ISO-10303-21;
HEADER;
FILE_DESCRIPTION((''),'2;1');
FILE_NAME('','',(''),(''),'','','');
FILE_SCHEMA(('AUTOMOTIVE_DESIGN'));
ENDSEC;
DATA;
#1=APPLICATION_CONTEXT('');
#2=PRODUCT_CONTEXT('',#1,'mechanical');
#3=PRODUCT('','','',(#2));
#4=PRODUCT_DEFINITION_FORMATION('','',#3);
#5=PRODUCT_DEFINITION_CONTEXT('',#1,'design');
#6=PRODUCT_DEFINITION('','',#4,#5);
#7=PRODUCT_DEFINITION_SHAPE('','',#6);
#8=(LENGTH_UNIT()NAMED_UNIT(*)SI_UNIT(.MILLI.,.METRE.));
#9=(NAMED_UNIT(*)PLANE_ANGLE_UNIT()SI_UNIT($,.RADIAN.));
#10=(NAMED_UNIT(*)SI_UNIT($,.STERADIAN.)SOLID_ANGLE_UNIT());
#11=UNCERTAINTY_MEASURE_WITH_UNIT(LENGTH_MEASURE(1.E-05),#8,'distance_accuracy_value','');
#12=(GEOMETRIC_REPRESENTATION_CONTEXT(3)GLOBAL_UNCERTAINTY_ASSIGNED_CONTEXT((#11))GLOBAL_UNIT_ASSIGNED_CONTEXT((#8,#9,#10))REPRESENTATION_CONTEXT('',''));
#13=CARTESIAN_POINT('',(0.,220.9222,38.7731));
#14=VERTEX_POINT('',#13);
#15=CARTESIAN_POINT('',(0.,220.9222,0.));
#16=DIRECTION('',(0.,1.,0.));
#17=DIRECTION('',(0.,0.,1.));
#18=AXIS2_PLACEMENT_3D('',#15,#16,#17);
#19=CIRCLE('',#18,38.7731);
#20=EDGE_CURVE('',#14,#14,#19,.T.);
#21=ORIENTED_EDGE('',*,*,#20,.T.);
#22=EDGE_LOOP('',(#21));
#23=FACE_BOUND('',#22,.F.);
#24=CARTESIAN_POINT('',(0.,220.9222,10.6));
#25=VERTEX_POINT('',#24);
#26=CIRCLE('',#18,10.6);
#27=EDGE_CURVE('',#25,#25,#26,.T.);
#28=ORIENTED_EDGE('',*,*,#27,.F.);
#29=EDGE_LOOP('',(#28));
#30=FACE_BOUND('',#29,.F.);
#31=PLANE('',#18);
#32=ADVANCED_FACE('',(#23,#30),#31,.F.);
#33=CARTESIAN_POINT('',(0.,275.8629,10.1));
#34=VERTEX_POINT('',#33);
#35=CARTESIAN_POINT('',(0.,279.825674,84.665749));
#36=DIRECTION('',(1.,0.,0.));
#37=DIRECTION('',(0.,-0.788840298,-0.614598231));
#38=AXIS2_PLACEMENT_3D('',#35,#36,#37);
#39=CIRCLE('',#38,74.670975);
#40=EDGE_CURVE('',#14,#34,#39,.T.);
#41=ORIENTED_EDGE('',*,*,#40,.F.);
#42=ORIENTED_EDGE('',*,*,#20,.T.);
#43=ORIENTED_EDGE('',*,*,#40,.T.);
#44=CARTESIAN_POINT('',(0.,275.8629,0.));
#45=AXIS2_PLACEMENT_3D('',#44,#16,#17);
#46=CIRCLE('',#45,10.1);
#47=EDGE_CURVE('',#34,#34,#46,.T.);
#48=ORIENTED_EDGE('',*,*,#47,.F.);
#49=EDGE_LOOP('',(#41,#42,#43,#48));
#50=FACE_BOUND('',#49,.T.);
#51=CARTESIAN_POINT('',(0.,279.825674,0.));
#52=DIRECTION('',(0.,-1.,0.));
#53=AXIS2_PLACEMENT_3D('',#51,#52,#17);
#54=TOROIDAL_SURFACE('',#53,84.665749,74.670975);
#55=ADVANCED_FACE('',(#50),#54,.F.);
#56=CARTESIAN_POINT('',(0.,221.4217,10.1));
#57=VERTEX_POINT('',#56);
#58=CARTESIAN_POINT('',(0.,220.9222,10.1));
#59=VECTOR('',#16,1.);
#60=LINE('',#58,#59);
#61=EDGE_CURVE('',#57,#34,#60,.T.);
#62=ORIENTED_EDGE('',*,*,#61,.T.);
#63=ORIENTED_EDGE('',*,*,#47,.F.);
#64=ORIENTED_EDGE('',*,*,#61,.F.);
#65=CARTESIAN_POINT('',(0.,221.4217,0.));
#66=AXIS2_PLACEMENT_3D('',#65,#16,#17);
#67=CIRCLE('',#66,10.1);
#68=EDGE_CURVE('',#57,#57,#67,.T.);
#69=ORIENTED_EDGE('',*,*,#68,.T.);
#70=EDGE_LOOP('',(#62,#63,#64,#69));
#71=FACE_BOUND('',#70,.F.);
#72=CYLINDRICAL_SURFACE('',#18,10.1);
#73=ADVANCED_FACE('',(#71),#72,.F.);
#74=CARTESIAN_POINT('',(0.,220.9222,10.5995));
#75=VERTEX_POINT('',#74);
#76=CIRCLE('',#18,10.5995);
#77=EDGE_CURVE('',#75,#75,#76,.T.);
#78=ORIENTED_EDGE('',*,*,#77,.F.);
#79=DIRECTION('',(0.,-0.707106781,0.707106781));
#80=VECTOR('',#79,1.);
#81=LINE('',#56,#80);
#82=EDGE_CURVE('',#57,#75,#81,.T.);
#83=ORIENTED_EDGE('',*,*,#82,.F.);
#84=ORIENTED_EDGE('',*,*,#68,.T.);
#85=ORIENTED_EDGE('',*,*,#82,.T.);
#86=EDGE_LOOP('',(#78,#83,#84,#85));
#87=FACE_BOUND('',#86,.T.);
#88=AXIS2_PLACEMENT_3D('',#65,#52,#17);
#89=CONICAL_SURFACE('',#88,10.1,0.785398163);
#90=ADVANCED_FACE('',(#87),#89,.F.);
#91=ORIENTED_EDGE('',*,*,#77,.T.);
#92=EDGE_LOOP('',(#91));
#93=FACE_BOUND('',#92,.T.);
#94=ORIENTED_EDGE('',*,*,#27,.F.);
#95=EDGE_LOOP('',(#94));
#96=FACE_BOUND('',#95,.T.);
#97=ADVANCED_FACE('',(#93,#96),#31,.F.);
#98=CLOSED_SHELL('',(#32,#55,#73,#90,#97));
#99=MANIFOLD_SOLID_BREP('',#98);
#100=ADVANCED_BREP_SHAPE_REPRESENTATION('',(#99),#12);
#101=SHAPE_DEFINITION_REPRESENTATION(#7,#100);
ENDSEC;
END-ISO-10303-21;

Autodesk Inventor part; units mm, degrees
ref_plane "YZ Plane" through (0, 0, 0) normal (1, 0, 0) x (0, 1, 0)
ref_plane "XZ Plane" through (0, 0, 0) normal (0, 1, 0) x (-1, 0, 0)
ref_plane "XY Plane" through (0, 0, 0) normal (0, 0, 1) x (1, 0, 0)
sketch "Sketch1" plane through (0, 0, 0) normal (1, 0, 0) x (0, 1, 0)
  spline S0 degree 2 poles (144.5465, -57.8242) (146.4589, -59.529) (148.3712, -61.2338) knots 0.397376 0.397376 0.397376 0.909763 0.909763 0.909763 weights 0.999998 0.999997 0.999998
  spline S1 degree 3 poles (148.3712, -61.2338) (145.4357, -63.9958) (142.1284, -66.5479) (133.9847, -71.7297) (129.2192, -73.8866) (122.6716, -75.6215) (120.5117, -75.911) (117.5795, -75.8038) (116.4784, -75.6403) (114.7831, -75.0056) (114.1405, -74.649) (113.0617, -73.7127) (112.6451, -73.1713) (112.1633, -72.1987) (112.0293, -71.8331) (111.9289, -71.4578) knots -3.269118 -3.269118 -3.269118 -3.269118 -2.559935 -2.559935 -1.5672 -1.5672 -1.008898 -1.008898 -0.686053 -0.686053 -0.465554 -0.465554 -0.257093 -0.257093 -0.139706 -0.139706 -0.139706 -0.139706
  spline S2 degree 3 poles (111.9289, -71.4578) (112.6966, -70.9881) (113.4597, -70.5117) (123.0587, -64.396) (131.3801, -57.7603) (138.4898, -50.0803) knots -8.986295 -8.986295 -8.986295 -8.986295 -8.71793 -8.71793 -5.588526 -5.588526 -5.588526 -5.588526
  spline S3 degree 2 poles (138.4898, -50.0803) (142.1005, -53.2991) (145.711, -56.5179) knots 0.224389 0.224389 0.224389 1.191797 1.191797 1.191797 weights 0.999996 0.999988 0.999996
  line L0 (145.711, -56.5179) -> (144.5465, -57.8242)
  spline S4 degree 2 poles (153.8176, -55.372) (151.8438, -53.6123) (149.87, -51.8527) knots 0.391675 0.391675 0.391675 0.920526 0.920526 0.920526 weights 0.999998 0.999997 0.999998
  line L1 (149.87, -51.8527) -> (148.7055, -53.159)
  spline S5 degree 2 poles (148.7055, -53.159) (145.089, -49.9348) (141.4723, -46.7105) knots 0.223527 0.223527 0.223527 1.192553 1.192553 1.192553 weights 0.999996 0.999988 0.999996
  spline S6 degree 3 poles (141.4723, -46.7105) (147.1872, -39.9492) (151.9575, -32.4291) (158.3139, -16.5141) (159.9807, -8.4349) (159.9998, -0.1442) knots -5.139674 -5.139674 -5.139674 -5.139674 -2.489358 -2.489358 -0.002056 -0.002056 -0.002056 -0.002056
  spline S7 degree 3 poles (159.9998, -0.1442) (159.9998, -0.1389) (159.9999, -0.1336) (160, -0.0858) (160, -0.0434) (160, -0.0006) (160, -0.0003) (160, 0) knots -0.014334 -0.014334 -0.014334 -0.014334 -0.012741 -0.012741 0 0 0.00009 0.00009 0.00009 0.00009
  spline S8 degree 3 poles (160, 0) (160, 0.0003) (160, 0.0006) (160, 0.0434) (160, 0.0858) (159.9999, 0.1364) (159.9998, 0.1446) (159.9998, 0.1527) knots -0.025663 -0.025663 -0.025663 -0.025663 -0.025573 -0.025573 -0.012832 -0.012832 -0.010394 -0.010394 -0.010394 -0.010394
  spline S9 degree 3 poles (159.9998, 0.1527) (159.9873, 5.2601) (159.349, 10.3143) (156.8538, 20.4053) (154.9768, 25.3486) (151.104, 33.0257) (149.4237, 35.8779) (147.5826, 38.6258) knots -14.294543 -14.294543 -14.294543 -14.294543 -12.453936 -12.453936 -10.549031 -10.549031 -9.356599 -9.356599 -9.356599 -9.356599
  spline S10 degree 3 poles (147.5826, 38.6258) (147.379, 38.9295) (147.1735, 39.232) (146.9661, 39.5332) knots -1.789353 -1.789353 -1.789353 -1.789353 -1.679608 -1.679608 -1.679608 -1.679608
  spline S11 degree 3 poles (146.9661, 39.5332) (146.998, 39.5385) (147.0299, 39.5437) (147.139, 39.5614) (147.2162, 39.5737) (147.4152, 39.6047) (147.5369, 39.6232) (148.019, 39.6939) (148.3758, 39.7413) (149.3903, 39.8648) (150.0305, 39.9297) (150.6862, 39.9928) knots -0.377268 -0.377268 -0.377268 -0.377268 -0.367554 -0.367554 -0.344046 -0.344046 -0.307003 -0.307003 -0.197614 -0.197614 0 0 0 0
  arc A0 (187.9088, 29.7865) -> (150.6862, 39.9928) centre (155.884, -14.0298) ccw
  arc A1 (187.9088, 29.7865) -> (220.9222, 38.7731) centre (200.8273, 47.4616) ccw
  line L2 (220.9222, 38.7731) -> (220.9222, 10.6)
  line L3 (220.9222, 10.6) -> (220.4222, 10.1)
  line L4 (220.4222, 10.1) -> (180.9222, 10.1)
  line L5 (180.9222, 10.1) -> (180.9222, 7.85)
  line L6 (180.9222, 7.85) -> (220.4222, 7.85)
  line L7 (220.4222, 7.85) -> (220.9222, 7.35)
  line L8 (220.9222, 7.35) -> (220.9222, -7.35)
  line L9 (220.9222, -7.35) -> (220.4222, -7.85)
  line L10 (220.4222, -7.85) -> (180.9222, -7.85)
  line L11 (180.9222, -7.85) -> (180.9222, -10.1)
  line L12 (180.9222, -10.1) -> (220.4222, -10.1)
  line L13 (220.4222, -10.1) -> (220.9222, -10.6)
  line L14 (220.9222, -10.6) -> (220.9222, -38.7731)
  arc A2 (220.9222, -38.7731) -> (187.9088, -29.7865) centre (200.8273, -47.4616) ccw
  arc A3 (169.9254, -38.3944) -> (187.9088, -29.7865) centre (155.884, 14.0298) ccw
  spline S12 degree 3 poles (169.9254, -38.3944) (167.9887, -38.9131) (166.1731, -39.8112) (163.0398, -42.2306) (161.7393, -43.7133) (160.7596, -45.4036) knots -1.187529 -1.187529 -1.187529 -1.187529 -0.586112 -0.586112 0 0 0 0
  spline S13 degree 3 poles (160.7596, -45.4036) (160.6302, -45.6268) (160.4996, -45.8494) (158.1975, -49.7271) (155.8837, -52.872) (153.8176, -55.372) knots -4.034725 -4.034725 -4.034725 -4.034725 -4.012891 -4.012891 -3.653746 -3.653746 -3.653746 -3.653746
  line L15 (232.9325, 0) -> (277.0212, 0)
  line L16 (220.9222, 10.1) -> (220.9222, 38.7731)
  line L17 (220.9222, 10.1) -> (275.8629, 10.1)
  arc A4 (220.9222, 38.7731) -> (275.8629, 10.1) centre (279.8258, 84.6659) ccw
  point P0 (0, 0)
  point P1 (220.9222, 10.6)
revolve "Revolution1" add sketch "Sketch1" angle 360 about axis through (0, 232.9325, 0) along (0, 1, 0) contours A4 L17 L16 L2
chamfer "Chamfer1" distance 0.5 angle 45 1 edges at (0, 220.9222, -10.1)
properties part number "aufhaengung_ende"
